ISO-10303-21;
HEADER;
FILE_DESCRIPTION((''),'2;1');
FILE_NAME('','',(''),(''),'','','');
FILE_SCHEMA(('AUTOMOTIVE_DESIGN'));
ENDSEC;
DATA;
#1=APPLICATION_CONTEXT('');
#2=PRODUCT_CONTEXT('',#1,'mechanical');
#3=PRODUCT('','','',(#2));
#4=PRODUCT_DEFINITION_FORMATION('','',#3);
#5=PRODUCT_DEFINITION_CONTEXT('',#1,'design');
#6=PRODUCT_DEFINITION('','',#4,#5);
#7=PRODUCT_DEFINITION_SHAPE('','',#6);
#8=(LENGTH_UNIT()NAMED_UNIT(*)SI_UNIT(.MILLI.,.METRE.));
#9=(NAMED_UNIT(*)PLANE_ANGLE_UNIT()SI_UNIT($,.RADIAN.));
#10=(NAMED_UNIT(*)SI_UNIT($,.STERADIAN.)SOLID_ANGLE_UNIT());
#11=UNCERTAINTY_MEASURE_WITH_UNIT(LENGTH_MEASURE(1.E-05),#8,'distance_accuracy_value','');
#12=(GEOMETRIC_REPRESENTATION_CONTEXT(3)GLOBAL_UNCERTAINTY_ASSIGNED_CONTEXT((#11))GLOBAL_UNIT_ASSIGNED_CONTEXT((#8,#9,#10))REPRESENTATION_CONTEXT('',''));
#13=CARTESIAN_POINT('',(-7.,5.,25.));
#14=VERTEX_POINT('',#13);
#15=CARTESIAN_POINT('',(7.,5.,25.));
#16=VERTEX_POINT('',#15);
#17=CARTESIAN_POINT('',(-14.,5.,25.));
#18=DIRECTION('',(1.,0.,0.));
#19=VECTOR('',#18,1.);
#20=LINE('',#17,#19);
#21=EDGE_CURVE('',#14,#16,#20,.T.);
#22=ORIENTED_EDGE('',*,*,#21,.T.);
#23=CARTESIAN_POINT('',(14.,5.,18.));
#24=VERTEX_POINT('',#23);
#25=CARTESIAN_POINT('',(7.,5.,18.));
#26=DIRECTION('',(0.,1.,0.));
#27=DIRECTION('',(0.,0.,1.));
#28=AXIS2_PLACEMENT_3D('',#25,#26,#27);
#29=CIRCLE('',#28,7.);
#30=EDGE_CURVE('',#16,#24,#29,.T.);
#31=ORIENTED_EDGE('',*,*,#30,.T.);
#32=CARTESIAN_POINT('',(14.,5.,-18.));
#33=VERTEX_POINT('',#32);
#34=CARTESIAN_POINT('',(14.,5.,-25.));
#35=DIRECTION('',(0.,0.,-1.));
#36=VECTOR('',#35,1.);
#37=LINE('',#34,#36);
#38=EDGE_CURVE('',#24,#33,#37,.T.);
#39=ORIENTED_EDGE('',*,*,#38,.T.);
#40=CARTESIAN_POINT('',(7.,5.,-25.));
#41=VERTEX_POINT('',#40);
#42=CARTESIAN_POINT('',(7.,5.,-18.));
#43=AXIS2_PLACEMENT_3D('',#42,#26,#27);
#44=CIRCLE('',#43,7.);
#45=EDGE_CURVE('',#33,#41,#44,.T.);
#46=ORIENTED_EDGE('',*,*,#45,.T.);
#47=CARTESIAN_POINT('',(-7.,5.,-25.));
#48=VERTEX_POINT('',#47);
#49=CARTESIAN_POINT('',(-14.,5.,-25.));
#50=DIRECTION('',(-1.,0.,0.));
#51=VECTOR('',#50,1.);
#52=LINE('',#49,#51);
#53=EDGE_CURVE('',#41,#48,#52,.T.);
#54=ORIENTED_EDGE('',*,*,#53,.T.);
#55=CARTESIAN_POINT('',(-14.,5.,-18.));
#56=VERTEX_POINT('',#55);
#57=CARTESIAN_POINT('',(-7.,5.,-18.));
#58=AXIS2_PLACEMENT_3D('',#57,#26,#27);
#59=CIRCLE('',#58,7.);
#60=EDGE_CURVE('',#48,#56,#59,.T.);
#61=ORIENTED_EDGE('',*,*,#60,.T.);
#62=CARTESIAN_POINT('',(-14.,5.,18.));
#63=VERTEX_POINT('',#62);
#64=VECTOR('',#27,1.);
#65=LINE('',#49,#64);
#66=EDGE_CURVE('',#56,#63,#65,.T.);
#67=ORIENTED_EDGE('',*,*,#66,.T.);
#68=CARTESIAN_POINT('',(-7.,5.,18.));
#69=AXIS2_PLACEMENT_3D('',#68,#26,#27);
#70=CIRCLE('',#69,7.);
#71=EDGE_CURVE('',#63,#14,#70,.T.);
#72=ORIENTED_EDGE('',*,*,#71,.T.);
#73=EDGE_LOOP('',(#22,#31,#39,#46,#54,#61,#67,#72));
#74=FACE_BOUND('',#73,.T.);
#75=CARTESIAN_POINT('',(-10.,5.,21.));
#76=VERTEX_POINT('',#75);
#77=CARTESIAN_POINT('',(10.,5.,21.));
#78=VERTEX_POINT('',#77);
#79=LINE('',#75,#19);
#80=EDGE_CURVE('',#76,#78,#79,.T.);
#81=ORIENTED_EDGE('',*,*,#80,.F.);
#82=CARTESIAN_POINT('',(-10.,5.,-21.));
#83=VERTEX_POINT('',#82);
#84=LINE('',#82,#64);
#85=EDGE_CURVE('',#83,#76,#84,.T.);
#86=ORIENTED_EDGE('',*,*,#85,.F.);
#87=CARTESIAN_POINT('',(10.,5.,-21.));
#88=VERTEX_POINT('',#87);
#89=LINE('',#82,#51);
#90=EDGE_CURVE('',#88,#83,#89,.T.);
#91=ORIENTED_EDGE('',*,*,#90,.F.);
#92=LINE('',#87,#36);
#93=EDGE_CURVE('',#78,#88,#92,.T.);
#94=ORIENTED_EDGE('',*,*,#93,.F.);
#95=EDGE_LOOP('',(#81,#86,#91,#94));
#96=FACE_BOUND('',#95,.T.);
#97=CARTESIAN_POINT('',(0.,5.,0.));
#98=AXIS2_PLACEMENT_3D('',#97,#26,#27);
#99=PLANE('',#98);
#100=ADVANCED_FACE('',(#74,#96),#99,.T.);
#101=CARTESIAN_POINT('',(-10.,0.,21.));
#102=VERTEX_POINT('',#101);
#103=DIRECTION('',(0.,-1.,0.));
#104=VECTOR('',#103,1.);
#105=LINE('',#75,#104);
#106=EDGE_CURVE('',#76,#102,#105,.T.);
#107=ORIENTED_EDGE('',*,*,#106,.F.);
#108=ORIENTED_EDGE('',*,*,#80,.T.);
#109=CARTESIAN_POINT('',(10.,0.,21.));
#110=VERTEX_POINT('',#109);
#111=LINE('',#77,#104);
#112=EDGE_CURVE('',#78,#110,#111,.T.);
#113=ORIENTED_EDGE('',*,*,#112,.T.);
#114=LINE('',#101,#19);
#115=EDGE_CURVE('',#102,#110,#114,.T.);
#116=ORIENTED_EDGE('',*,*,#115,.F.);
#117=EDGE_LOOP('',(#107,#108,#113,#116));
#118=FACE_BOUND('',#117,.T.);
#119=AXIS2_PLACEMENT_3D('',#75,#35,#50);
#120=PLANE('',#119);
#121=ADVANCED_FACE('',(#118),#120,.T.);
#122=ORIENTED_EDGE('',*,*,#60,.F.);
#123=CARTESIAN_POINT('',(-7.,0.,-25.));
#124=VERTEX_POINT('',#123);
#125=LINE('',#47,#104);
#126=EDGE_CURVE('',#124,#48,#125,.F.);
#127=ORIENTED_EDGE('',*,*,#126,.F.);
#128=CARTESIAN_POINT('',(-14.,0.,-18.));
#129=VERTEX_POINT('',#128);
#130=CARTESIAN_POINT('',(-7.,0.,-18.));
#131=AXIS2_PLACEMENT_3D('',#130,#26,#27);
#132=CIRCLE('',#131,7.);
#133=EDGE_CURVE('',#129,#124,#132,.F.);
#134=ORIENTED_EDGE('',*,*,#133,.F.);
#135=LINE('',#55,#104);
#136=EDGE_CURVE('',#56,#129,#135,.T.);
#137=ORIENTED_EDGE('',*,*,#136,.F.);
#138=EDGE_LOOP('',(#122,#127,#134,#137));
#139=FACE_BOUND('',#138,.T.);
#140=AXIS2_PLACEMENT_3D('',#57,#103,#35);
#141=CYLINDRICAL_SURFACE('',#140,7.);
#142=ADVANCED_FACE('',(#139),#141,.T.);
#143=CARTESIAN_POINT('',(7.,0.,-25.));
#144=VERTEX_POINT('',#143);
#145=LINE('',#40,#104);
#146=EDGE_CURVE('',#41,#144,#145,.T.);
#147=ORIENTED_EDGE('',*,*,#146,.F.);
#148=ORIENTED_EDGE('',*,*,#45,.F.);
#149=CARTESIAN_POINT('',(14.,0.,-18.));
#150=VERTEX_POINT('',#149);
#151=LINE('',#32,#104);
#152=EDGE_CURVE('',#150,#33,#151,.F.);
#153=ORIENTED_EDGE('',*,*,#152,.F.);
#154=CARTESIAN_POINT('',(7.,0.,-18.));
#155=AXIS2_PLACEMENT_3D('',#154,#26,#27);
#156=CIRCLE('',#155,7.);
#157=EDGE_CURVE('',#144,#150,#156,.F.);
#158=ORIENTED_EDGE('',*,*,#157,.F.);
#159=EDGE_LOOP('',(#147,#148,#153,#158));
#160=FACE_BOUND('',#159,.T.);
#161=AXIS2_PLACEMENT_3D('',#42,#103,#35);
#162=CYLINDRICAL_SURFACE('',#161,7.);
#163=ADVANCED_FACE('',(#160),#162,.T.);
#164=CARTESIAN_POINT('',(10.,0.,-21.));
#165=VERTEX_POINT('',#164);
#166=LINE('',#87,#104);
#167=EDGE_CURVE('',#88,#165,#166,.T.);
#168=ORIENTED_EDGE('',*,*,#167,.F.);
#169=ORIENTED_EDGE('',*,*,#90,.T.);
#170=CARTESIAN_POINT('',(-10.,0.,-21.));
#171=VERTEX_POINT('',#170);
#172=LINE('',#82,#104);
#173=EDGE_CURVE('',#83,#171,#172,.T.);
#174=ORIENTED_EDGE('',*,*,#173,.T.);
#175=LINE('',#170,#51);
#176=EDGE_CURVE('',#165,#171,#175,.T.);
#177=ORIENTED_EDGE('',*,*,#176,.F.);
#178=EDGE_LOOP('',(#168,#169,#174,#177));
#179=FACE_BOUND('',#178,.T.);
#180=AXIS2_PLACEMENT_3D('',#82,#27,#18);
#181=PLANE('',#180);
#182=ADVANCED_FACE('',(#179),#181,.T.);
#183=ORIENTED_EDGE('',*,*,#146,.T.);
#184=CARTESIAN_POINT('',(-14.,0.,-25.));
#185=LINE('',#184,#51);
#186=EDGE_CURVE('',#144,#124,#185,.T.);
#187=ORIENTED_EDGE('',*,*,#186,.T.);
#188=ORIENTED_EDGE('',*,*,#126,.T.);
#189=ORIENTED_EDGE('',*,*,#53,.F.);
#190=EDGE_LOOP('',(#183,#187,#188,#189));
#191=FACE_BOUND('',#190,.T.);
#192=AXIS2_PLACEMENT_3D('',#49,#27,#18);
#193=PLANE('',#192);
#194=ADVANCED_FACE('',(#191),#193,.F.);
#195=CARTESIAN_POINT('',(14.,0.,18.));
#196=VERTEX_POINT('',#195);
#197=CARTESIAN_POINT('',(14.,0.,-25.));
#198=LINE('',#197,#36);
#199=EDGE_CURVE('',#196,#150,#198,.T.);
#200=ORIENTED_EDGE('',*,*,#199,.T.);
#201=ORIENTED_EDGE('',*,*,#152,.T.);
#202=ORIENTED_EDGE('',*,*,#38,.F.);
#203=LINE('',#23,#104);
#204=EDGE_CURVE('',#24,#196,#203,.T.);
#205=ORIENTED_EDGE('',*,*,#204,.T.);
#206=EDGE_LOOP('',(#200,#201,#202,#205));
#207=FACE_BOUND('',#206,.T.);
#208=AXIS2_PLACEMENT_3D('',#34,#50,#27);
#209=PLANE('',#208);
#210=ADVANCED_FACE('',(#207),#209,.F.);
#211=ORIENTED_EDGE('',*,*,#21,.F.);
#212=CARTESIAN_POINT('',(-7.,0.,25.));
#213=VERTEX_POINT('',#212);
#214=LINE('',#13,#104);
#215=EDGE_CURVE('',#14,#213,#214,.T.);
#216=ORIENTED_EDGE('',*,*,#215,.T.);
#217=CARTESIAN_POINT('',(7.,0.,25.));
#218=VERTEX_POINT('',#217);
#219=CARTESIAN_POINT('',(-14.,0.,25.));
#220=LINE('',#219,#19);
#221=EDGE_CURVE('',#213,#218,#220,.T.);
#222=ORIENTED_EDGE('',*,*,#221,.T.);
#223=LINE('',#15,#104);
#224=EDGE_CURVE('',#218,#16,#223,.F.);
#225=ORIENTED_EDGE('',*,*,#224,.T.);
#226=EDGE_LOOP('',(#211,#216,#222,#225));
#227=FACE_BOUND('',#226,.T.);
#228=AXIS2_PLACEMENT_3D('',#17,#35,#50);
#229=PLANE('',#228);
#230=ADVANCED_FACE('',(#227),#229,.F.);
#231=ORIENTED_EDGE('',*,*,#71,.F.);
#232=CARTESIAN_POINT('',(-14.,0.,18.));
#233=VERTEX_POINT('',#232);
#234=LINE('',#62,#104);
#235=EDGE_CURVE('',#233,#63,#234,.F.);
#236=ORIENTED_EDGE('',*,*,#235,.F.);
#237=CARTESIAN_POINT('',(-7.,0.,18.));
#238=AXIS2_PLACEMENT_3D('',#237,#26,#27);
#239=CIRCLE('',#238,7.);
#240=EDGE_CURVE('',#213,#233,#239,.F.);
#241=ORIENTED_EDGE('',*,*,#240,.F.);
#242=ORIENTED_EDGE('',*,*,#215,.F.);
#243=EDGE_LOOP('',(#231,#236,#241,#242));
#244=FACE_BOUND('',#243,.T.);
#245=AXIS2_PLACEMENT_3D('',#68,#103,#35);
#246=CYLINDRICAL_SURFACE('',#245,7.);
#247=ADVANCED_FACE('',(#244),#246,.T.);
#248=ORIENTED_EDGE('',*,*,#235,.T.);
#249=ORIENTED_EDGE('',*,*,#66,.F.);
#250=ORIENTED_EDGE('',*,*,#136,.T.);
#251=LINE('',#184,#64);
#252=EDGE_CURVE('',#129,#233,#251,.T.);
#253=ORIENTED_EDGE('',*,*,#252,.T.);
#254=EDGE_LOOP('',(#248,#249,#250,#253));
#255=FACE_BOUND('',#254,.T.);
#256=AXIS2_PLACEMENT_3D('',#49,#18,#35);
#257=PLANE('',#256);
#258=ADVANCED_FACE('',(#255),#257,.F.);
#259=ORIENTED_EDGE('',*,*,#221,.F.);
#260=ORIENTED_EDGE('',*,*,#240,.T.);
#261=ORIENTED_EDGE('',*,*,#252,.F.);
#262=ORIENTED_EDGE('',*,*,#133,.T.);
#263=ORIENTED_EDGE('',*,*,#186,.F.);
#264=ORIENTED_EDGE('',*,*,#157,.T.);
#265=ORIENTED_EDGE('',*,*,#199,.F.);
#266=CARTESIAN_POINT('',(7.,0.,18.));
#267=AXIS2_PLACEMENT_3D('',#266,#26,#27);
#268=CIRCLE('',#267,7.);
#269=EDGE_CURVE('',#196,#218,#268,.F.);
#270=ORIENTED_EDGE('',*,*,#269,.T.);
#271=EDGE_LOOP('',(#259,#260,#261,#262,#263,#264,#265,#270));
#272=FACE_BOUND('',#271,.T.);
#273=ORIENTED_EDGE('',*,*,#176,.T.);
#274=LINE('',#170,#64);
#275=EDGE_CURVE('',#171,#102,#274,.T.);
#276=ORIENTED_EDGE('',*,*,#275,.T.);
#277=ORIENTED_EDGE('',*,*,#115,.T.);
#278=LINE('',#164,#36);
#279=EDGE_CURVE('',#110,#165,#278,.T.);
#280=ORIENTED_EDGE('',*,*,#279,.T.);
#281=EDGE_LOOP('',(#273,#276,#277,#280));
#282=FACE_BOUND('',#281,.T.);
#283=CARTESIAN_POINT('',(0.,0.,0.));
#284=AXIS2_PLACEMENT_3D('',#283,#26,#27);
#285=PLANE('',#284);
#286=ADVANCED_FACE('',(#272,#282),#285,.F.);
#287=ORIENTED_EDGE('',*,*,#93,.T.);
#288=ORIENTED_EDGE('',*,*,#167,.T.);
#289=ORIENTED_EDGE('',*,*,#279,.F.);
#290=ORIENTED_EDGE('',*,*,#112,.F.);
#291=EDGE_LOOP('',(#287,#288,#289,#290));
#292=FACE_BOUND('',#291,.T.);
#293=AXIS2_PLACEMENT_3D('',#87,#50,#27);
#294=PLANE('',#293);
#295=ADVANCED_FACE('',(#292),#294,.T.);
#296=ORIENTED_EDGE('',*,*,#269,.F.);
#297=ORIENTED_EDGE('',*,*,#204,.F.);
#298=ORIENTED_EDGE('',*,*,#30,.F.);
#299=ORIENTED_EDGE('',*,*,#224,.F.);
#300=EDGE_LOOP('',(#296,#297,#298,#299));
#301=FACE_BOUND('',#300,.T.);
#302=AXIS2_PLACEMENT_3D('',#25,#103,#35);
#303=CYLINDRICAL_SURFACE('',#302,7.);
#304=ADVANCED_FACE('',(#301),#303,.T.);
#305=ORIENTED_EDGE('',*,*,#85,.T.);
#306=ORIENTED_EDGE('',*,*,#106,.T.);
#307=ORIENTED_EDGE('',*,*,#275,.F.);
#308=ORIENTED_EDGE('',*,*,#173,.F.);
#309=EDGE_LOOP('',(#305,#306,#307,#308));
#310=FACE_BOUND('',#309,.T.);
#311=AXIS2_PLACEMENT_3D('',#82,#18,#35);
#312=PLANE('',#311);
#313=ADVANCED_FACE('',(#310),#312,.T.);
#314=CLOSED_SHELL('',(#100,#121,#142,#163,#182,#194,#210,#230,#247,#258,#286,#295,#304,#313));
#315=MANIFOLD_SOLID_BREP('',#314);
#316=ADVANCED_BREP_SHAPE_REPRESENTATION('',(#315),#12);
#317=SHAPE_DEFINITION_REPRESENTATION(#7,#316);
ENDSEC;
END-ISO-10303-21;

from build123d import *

# Parameters (mm, degrees)
ESQUISSE1_W        = 28
ESQUISSE1_H        = 50
ESQUISSE1_W_2      = 20
ESQUISSE1_H_2      = 42
BOSS_EXTRU_1_DEPTH = 5
CONG_1_R           = 7


with BuildPart() as part:
    # Esquisse1 → Boss.-Extru.1 (new body)
    with BuildSketch(Plane(origin=(0, 0, 0), x_dir=(1, 0, 0), z_dir=(0, 1, 0))):
        Rectangle(ESQUISSE1_W, ESQUISSE1_H)
        Rectangle(ESQUISSE1_W_2, ESQUISSE1_H_2, mode=Mode.SUBTRACT)
    extrude(amount=BOSS_EXTRU_1_DEPTH)

    # Congé1
    cong_1_edges = [part.edges().sort_by_distance(p)[0] for p in [
        (14, 2.5, 25),
        (-14, 2.5, 25),
        (-14, 2.5, -25),
        (14, 2.5, -25),
    ]]
    fillet(cong_1_edges, radius=CONG_1_R)


solid = part.part
